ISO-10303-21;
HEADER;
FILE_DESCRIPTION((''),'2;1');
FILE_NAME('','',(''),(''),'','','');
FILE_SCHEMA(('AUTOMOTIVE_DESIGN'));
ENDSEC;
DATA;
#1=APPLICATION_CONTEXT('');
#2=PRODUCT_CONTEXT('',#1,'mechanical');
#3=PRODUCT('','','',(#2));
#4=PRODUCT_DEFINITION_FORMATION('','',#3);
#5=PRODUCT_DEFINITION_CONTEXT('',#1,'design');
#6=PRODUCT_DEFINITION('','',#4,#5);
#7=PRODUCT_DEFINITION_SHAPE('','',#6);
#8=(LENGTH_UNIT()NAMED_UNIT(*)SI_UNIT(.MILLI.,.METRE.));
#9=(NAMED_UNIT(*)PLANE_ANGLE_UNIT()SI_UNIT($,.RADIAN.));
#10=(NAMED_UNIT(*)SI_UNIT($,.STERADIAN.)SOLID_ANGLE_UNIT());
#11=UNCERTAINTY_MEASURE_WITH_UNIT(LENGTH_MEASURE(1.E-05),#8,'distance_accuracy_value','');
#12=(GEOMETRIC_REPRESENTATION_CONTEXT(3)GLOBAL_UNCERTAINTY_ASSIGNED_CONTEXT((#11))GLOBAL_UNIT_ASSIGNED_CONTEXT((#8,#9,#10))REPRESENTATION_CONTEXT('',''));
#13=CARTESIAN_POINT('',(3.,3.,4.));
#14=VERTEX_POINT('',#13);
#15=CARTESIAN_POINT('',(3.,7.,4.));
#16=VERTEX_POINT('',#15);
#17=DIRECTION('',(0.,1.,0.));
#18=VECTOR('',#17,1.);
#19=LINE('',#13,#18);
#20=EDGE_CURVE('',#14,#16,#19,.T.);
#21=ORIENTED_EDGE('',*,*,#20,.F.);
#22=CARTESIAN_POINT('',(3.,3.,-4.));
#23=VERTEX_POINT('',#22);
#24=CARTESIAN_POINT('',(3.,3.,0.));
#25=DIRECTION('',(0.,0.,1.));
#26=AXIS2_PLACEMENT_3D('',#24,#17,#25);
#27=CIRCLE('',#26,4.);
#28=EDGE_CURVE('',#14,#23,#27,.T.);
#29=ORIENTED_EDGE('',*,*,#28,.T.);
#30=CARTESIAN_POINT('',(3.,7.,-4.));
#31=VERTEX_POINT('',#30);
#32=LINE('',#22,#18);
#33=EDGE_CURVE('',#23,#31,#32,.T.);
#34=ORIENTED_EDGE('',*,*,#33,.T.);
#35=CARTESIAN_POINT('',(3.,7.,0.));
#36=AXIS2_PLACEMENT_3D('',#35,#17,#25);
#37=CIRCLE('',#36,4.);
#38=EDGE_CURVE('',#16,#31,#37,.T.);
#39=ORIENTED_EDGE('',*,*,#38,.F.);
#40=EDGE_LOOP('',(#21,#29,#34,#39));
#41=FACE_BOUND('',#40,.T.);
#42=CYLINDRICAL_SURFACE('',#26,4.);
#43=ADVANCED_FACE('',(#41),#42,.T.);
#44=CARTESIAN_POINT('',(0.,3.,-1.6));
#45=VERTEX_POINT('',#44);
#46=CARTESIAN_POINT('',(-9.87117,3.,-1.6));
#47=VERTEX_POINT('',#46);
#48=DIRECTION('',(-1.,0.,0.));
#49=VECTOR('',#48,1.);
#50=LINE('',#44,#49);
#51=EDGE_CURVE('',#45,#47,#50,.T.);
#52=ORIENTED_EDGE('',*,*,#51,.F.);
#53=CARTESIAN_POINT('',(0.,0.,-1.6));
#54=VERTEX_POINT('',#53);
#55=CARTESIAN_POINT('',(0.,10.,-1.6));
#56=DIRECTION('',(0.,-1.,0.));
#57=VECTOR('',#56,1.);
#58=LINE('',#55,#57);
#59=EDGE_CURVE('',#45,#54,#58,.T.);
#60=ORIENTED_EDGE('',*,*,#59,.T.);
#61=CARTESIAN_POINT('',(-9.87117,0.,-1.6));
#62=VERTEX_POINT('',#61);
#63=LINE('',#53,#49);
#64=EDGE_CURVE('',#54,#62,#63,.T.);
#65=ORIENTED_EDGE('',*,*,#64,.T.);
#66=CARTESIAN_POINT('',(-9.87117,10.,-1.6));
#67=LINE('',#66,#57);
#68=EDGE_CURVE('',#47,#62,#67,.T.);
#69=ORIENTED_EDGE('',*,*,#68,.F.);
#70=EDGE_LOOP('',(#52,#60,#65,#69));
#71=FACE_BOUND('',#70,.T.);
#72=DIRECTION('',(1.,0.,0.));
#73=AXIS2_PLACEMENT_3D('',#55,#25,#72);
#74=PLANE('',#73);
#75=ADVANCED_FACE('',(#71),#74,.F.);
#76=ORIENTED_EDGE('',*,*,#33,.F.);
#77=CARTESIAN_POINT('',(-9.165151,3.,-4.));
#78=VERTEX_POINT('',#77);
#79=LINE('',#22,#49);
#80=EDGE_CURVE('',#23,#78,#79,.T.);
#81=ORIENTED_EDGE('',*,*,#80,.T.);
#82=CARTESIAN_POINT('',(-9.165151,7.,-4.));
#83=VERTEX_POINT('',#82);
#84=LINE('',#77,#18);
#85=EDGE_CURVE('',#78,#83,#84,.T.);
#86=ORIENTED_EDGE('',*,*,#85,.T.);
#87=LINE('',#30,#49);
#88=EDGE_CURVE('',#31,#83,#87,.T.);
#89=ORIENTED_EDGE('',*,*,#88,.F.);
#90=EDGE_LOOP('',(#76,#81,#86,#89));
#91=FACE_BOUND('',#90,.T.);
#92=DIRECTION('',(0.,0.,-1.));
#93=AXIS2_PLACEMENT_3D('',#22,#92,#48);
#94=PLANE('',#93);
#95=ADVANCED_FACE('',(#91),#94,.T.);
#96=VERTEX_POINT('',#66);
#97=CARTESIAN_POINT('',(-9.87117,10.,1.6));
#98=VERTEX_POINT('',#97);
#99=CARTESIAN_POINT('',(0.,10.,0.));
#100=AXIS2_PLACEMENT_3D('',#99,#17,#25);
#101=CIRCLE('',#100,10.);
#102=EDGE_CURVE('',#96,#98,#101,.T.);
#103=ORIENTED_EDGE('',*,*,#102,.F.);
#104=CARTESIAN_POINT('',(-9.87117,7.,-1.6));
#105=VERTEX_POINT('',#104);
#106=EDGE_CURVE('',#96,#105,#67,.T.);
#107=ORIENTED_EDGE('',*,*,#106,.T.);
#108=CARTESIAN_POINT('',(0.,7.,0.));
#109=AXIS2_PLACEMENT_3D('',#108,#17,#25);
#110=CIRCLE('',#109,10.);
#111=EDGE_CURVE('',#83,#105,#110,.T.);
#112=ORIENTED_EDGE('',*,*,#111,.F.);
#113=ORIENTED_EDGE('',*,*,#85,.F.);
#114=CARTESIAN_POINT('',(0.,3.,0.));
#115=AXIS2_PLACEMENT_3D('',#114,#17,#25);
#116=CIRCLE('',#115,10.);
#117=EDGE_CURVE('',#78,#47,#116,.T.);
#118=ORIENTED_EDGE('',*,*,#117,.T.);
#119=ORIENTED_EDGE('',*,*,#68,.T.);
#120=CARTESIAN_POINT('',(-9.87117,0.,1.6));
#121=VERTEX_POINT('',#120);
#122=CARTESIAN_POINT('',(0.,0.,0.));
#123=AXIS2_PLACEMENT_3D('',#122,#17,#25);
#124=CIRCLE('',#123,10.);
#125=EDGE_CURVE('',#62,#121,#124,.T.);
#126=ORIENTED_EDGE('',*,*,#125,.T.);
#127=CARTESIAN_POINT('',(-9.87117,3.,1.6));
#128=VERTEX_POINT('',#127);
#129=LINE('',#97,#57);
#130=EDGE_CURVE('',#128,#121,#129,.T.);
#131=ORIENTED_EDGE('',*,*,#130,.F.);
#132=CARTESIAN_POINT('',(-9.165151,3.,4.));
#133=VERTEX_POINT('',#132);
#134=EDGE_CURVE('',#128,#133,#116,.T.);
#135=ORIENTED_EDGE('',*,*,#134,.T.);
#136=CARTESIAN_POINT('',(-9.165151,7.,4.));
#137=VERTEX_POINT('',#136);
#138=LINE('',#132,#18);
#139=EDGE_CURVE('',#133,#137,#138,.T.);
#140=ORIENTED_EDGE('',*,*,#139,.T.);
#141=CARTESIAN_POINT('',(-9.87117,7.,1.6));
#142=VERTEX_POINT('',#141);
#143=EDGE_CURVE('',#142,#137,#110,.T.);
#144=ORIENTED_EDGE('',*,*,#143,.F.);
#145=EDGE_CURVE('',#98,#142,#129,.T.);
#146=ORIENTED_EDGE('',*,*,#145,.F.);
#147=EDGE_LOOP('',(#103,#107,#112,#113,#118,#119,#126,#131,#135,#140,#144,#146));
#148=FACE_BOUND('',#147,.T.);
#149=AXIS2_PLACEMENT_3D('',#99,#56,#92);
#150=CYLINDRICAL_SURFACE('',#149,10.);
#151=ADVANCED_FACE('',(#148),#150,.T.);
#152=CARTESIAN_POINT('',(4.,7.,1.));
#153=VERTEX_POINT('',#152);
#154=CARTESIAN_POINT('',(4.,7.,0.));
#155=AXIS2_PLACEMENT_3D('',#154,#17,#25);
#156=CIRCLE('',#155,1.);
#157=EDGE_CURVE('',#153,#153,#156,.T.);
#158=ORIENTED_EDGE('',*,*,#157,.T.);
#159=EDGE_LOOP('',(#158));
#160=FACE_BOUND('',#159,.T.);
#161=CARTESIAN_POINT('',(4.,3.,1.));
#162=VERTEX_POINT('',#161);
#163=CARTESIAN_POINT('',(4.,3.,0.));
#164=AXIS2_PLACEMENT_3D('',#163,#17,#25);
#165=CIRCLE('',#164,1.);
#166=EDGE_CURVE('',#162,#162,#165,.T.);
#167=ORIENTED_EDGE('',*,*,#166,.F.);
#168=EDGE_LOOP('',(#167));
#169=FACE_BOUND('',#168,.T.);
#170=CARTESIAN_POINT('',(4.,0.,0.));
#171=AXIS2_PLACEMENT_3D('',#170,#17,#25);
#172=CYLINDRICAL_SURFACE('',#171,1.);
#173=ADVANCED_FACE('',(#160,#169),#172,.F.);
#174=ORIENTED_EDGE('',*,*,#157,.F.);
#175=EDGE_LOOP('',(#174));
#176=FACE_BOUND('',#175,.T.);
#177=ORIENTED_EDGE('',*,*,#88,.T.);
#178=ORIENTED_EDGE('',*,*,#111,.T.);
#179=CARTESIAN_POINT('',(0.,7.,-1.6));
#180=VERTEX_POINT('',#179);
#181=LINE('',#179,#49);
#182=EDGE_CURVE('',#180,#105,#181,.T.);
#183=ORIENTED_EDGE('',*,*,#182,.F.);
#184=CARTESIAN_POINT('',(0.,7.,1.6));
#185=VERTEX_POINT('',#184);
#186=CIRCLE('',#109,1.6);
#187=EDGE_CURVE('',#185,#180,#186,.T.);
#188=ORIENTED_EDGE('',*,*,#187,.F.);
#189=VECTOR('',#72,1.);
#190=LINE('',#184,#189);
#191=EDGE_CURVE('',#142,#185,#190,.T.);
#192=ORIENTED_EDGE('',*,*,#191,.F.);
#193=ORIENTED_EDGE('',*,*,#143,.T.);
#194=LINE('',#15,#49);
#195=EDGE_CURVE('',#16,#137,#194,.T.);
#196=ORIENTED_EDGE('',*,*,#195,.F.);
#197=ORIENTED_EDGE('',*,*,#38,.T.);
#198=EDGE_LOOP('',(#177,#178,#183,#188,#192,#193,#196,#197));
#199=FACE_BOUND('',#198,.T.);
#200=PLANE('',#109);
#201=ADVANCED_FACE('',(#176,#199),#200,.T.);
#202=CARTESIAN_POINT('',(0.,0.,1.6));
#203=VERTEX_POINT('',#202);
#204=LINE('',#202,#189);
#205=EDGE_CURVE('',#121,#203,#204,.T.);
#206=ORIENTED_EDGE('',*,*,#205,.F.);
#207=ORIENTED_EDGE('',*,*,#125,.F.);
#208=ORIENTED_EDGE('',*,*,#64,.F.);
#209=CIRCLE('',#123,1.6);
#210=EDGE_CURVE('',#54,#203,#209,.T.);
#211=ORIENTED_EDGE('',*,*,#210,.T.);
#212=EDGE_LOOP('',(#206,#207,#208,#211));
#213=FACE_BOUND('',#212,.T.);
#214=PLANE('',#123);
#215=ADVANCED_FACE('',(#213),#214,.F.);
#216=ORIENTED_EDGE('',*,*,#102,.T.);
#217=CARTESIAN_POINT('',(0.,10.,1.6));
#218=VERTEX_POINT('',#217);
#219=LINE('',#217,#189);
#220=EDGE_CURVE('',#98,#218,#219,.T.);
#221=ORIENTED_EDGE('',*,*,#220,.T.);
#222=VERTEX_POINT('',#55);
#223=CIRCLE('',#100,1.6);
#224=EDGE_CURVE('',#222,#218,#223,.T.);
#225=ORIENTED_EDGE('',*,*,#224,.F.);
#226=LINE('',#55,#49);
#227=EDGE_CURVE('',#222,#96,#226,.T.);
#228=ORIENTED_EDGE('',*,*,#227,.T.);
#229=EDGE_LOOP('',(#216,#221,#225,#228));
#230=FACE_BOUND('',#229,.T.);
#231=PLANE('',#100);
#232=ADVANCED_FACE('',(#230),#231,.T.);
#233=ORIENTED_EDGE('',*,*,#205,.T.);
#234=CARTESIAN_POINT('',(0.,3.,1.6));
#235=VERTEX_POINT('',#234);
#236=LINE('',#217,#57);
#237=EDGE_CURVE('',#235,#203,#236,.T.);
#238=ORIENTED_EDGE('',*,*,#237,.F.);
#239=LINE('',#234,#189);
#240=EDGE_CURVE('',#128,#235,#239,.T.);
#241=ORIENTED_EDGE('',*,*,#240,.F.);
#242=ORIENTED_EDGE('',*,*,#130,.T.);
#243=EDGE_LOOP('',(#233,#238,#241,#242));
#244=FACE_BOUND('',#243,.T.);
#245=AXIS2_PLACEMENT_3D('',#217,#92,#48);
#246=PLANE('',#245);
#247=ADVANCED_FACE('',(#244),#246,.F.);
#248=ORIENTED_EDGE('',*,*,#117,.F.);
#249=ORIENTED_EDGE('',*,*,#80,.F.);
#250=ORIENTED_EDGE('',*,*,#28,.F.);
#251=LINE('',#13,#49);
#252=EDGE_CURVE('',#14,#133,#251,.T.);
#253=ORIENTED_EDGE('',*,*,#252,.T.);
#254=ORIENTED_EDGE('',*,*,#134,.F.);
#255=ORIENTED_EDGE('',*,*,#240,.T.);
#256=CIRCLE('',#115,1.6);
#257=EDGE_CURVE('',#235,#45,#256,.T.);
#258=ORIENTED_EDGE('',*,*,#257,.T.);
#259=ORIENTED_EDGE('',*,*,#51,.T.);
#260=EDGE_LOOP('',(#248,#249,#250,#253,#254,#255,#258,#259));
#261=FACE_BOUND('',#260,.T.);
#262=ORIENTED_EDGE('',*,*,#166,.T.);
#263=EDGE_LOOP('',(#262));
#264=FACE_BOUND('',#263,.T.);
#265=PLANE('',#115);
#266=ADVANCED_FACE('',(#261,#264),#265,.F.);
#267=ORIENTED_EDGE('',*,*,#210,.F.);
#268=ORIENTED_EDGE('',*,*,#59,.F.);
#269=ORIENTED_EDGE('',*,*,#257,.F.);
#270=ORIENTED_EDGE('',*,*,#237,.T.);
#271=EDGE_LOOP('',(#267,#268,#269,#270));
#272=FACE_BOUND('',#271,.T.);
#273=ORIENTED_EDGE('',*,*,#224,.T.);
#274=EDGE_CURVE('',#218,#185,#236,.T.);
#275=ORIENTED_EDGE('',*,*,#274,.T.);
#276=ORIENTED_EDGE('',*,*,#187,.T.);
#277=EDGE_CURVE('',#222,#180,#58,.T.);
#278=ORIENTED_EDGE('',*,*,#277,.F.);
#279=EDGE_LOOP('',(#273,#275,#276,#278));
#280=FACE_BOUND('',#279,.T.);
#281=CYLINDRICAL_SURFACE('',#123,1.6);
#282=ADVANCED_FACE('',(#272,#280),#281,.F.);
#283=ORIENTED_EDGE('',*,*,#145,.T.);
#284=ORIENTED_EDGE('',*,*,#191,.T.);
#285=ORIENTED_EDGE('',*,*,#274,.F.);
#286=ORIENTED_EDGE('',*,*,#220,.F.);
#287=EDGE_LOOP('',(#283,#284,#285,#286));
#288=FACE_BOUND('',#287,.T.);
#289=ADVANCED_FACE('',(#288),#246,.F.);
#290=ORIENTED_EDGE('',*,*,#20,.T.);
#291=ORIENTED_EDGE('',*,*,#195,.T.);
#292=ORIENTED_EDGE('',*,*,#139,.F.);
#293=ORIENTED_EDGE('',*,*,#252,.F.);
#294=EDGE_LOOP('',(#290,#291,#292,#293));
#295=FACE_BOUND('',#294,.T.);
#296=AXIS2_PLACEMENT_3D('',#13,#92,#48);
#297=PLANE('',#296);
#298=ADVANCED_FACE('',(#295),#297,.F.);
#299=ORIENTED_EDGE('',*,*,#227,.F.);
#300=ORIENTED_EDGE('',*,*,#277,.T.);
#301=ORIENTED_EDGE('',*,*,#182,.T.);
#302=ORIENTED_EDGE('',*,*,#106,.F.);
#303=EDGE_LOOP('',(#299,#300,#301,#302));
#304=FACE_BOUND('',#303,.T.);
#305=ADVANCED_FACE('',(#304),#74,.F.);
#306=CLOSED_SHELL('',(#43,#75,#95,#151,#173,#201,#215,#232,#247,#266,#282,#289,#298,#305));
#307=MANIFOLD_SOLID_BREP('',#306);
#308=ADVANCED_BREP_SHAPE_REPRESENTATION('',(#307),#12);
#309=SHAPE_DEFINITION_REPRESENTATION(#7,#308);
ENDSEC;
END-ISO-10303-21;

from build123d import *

# Parameters (mm, degrees)
BOSS_EXTRUDE3_DEPTH      = 10
BOSS_EXTRUDE5_DEPTH      = 2
BOSS_EXTRUDE5_DEPTH_BACK = 2
SKETCH4_R                = 1.6
CUT_EXTRUDE1_DEPTH       = 15.696938457
SKETCH5_R                = 1
CUT_EXTRUDE3_DEPTH       = 13.845232579


with BuildPart() as part:
    # Sketch2 → Boss-Extrude3 (new body)
    with BuildSketch(Plane(origin=(0, 0, 0), x_dir=(1, 0, 0), z_dir=(0, 1, 0))):
        with BuildLine():
            Line((0, -1.6), (-9.871170143, -1.6))
            ThreePointArc((-9.871170143, -1.6), (-10, 0), (-9.871170143, 1.6))
            Line((-9.871170143, 1.6), (0, 1.6))
            ThreePointArc((0, 1.6), (1.6, 0), (0, -1.6))
        make_face()
    extrude(amount=BOSS_EXTRUDE3_DEPTH)

    # Sketch3 → Boss-Extrude5 (add, two sides: drawn at the far end of the back side and taken through both)
    with BuildSketch(Plane(origin=(0, 5, 0), x_dir=(1, 0, 0), z_dir=(0, 1, 0)).offset(-BOSS_EXTRUDE5_DEPTH_BACK)):
        with BuildLine():
            Line((3, -4), (-9.16515139, -4))
            ThreePointArc((-9.16515139, -4), (-10, 0), (-9.16515139, 4))
            Line((-9.16515139, 4), (3, 4))
            ThreePointArc((3, 4), (7, 0), (3, -4))
        make_face()
    extrude(amount=BOSS_EXTRUDE5_DEPTH + BOSS_EXTRUDE5_DEPTH_BACK)

    # Sketch4 → Cut-Extrude1 (cut, through all)
    with BuildSketch(Plane(origin=(0, 10, 0), x_dir=(1, 0, 0), z_dir=(0, 1, 0))):
        Circle(SKETCH4_R)
    extrude(amount=-CUT_EXTRUDE1_DEPTH, mode=Mode.SUBTRACT)

    # Sketch5 → Cut-Extrude3 (cut, through all)
    with BuildSketch(Plane(origin=(0, 7, 0), x_dir=(1, 0, 0), z_dir=(0, 1, 0))):
        with Locations((4, 0)):
            Circle(SKETCH5_R)
    extrude(amount=-CUT_EXTRUDE3_DEPTH, mode=Mode.SUBTRACT)


solid = part.part
